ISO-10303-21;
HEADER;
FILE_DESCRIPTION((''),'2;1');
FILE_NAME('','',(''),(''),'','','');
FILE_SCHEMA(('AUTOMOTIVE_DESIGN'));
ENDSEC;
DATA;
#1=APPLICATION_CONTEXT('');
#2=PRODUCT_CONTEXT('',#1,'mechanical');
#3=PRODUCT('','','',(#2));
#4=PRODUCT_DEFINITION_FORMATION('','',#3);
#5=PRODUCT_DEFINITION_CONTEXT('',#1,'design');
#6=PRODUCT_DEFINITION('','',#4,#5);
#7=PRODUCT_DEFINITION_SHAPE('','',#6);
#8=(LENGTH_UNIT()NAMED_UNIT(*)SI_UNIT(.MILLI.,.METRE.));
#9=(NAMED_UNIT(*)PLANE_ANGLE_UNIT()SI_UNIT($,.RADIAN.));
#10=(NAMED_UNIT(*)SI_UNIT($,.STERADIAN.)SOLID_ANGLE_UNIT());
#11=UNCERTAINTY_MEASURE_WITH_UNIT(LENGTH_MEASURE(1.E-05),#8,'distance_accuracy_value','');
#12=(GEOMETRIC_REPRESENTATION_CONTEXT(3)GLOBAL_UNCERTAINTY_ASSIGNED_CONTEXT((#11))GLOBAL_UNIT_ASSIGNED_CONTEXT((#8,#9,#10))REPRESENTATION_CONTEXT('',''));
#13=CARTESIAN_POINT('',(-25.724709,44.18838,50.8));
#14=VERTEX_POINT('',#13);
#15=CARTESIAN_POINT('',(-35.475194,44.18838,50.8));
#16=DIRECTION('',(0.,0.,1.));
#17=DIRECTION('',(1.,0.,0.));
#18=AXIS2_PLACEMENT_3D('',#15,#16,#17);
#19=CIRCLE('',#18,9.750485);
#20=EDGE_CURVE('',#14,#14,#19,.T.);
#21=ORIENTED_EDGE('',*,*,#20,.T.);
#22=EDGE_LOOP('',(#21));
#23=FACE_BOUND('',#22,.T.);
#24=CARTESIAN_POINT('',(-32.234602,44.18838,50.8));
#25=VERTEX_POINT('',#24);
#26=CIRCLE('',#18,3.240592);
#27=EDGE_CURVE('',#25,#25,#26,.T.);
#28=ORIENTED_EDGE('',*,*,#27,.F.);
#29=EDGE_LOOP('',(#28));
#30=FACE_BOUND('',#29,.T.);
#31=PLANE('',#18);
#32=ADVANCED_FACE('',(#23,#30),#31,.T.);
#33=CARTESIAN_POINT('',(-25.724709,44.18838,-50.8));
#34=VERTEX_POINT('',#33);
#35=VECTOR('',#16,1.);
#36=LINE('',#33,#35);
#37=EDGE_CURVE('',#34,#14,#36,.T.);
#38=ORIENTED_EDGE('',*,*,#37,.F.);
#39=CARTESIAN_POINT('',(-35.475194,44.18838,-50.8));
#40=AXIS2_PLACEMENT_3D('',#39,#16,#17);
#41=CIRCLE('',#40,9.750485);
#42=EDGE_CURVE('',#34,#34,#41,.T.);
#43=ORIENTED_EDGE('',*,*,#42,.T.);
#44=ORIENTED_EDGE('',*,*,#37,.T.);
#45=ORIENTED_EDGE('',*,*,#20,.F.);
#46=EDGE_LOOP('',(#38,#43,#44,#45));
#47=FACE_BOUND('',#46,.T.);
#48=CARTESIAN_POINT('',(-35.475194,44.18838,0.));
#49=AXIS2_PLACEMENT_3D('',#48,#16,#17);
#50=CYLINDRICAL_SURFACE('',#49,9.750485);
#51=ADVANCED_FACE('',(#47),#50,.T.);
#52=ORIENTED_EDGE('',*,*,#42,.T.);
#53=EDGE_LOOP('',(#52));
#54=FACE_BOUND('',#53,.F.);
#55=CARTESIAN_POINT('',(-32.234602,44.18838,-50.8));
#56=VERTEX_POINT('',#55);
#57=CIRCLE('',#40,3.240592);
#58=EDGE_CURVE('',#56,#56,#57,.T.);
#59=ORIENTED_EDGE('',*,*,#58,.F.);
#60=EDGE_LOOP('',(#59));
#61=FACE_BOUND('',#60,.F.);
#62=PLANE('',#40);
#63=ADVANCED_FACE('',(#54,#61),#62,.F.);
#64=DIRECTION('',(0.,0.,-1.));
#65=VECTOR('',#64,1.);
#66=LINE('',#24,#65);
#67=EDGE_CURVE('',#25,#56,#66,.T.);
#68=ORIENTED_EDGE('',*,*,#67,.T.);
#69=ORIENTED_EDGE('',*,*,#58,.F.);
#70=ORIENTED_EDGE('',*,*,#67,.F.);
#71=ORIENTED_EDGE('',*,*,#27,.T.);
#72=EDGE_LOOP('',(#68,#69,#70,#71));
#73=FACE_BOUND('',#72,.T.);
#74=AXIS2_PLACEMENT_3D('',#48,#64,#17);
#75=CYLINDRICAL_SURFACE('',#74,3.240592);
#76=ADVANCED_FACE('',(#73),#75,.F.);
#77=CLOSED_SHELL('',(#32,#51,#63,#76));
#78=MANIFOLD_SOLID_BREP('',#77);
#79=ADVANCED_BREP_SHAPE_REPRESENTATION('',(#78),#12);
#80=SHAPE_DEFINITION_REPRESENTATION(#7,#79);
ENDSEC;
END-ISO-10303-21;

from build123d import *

# Parameters (mm, degrees)
F0_R     = 9.750485
F0_R_2   = 3.240592
F1_DEPTH = 50.8


with BuildPart() as f1:
    # F0 (on Top) → F1 (new body, symmetric)
    with BuildSketch(Plane.XY):
        with Locations((-35.475194, 44.18838)):
            Circle(F0_R)
        with Locations((-35.475194, 44.18838)):
            Circle(F0_R_2, mode=Mode.SUBTRACT)
    extrude(amount=F1_DEPTH, both=True)


solid = f1.part
